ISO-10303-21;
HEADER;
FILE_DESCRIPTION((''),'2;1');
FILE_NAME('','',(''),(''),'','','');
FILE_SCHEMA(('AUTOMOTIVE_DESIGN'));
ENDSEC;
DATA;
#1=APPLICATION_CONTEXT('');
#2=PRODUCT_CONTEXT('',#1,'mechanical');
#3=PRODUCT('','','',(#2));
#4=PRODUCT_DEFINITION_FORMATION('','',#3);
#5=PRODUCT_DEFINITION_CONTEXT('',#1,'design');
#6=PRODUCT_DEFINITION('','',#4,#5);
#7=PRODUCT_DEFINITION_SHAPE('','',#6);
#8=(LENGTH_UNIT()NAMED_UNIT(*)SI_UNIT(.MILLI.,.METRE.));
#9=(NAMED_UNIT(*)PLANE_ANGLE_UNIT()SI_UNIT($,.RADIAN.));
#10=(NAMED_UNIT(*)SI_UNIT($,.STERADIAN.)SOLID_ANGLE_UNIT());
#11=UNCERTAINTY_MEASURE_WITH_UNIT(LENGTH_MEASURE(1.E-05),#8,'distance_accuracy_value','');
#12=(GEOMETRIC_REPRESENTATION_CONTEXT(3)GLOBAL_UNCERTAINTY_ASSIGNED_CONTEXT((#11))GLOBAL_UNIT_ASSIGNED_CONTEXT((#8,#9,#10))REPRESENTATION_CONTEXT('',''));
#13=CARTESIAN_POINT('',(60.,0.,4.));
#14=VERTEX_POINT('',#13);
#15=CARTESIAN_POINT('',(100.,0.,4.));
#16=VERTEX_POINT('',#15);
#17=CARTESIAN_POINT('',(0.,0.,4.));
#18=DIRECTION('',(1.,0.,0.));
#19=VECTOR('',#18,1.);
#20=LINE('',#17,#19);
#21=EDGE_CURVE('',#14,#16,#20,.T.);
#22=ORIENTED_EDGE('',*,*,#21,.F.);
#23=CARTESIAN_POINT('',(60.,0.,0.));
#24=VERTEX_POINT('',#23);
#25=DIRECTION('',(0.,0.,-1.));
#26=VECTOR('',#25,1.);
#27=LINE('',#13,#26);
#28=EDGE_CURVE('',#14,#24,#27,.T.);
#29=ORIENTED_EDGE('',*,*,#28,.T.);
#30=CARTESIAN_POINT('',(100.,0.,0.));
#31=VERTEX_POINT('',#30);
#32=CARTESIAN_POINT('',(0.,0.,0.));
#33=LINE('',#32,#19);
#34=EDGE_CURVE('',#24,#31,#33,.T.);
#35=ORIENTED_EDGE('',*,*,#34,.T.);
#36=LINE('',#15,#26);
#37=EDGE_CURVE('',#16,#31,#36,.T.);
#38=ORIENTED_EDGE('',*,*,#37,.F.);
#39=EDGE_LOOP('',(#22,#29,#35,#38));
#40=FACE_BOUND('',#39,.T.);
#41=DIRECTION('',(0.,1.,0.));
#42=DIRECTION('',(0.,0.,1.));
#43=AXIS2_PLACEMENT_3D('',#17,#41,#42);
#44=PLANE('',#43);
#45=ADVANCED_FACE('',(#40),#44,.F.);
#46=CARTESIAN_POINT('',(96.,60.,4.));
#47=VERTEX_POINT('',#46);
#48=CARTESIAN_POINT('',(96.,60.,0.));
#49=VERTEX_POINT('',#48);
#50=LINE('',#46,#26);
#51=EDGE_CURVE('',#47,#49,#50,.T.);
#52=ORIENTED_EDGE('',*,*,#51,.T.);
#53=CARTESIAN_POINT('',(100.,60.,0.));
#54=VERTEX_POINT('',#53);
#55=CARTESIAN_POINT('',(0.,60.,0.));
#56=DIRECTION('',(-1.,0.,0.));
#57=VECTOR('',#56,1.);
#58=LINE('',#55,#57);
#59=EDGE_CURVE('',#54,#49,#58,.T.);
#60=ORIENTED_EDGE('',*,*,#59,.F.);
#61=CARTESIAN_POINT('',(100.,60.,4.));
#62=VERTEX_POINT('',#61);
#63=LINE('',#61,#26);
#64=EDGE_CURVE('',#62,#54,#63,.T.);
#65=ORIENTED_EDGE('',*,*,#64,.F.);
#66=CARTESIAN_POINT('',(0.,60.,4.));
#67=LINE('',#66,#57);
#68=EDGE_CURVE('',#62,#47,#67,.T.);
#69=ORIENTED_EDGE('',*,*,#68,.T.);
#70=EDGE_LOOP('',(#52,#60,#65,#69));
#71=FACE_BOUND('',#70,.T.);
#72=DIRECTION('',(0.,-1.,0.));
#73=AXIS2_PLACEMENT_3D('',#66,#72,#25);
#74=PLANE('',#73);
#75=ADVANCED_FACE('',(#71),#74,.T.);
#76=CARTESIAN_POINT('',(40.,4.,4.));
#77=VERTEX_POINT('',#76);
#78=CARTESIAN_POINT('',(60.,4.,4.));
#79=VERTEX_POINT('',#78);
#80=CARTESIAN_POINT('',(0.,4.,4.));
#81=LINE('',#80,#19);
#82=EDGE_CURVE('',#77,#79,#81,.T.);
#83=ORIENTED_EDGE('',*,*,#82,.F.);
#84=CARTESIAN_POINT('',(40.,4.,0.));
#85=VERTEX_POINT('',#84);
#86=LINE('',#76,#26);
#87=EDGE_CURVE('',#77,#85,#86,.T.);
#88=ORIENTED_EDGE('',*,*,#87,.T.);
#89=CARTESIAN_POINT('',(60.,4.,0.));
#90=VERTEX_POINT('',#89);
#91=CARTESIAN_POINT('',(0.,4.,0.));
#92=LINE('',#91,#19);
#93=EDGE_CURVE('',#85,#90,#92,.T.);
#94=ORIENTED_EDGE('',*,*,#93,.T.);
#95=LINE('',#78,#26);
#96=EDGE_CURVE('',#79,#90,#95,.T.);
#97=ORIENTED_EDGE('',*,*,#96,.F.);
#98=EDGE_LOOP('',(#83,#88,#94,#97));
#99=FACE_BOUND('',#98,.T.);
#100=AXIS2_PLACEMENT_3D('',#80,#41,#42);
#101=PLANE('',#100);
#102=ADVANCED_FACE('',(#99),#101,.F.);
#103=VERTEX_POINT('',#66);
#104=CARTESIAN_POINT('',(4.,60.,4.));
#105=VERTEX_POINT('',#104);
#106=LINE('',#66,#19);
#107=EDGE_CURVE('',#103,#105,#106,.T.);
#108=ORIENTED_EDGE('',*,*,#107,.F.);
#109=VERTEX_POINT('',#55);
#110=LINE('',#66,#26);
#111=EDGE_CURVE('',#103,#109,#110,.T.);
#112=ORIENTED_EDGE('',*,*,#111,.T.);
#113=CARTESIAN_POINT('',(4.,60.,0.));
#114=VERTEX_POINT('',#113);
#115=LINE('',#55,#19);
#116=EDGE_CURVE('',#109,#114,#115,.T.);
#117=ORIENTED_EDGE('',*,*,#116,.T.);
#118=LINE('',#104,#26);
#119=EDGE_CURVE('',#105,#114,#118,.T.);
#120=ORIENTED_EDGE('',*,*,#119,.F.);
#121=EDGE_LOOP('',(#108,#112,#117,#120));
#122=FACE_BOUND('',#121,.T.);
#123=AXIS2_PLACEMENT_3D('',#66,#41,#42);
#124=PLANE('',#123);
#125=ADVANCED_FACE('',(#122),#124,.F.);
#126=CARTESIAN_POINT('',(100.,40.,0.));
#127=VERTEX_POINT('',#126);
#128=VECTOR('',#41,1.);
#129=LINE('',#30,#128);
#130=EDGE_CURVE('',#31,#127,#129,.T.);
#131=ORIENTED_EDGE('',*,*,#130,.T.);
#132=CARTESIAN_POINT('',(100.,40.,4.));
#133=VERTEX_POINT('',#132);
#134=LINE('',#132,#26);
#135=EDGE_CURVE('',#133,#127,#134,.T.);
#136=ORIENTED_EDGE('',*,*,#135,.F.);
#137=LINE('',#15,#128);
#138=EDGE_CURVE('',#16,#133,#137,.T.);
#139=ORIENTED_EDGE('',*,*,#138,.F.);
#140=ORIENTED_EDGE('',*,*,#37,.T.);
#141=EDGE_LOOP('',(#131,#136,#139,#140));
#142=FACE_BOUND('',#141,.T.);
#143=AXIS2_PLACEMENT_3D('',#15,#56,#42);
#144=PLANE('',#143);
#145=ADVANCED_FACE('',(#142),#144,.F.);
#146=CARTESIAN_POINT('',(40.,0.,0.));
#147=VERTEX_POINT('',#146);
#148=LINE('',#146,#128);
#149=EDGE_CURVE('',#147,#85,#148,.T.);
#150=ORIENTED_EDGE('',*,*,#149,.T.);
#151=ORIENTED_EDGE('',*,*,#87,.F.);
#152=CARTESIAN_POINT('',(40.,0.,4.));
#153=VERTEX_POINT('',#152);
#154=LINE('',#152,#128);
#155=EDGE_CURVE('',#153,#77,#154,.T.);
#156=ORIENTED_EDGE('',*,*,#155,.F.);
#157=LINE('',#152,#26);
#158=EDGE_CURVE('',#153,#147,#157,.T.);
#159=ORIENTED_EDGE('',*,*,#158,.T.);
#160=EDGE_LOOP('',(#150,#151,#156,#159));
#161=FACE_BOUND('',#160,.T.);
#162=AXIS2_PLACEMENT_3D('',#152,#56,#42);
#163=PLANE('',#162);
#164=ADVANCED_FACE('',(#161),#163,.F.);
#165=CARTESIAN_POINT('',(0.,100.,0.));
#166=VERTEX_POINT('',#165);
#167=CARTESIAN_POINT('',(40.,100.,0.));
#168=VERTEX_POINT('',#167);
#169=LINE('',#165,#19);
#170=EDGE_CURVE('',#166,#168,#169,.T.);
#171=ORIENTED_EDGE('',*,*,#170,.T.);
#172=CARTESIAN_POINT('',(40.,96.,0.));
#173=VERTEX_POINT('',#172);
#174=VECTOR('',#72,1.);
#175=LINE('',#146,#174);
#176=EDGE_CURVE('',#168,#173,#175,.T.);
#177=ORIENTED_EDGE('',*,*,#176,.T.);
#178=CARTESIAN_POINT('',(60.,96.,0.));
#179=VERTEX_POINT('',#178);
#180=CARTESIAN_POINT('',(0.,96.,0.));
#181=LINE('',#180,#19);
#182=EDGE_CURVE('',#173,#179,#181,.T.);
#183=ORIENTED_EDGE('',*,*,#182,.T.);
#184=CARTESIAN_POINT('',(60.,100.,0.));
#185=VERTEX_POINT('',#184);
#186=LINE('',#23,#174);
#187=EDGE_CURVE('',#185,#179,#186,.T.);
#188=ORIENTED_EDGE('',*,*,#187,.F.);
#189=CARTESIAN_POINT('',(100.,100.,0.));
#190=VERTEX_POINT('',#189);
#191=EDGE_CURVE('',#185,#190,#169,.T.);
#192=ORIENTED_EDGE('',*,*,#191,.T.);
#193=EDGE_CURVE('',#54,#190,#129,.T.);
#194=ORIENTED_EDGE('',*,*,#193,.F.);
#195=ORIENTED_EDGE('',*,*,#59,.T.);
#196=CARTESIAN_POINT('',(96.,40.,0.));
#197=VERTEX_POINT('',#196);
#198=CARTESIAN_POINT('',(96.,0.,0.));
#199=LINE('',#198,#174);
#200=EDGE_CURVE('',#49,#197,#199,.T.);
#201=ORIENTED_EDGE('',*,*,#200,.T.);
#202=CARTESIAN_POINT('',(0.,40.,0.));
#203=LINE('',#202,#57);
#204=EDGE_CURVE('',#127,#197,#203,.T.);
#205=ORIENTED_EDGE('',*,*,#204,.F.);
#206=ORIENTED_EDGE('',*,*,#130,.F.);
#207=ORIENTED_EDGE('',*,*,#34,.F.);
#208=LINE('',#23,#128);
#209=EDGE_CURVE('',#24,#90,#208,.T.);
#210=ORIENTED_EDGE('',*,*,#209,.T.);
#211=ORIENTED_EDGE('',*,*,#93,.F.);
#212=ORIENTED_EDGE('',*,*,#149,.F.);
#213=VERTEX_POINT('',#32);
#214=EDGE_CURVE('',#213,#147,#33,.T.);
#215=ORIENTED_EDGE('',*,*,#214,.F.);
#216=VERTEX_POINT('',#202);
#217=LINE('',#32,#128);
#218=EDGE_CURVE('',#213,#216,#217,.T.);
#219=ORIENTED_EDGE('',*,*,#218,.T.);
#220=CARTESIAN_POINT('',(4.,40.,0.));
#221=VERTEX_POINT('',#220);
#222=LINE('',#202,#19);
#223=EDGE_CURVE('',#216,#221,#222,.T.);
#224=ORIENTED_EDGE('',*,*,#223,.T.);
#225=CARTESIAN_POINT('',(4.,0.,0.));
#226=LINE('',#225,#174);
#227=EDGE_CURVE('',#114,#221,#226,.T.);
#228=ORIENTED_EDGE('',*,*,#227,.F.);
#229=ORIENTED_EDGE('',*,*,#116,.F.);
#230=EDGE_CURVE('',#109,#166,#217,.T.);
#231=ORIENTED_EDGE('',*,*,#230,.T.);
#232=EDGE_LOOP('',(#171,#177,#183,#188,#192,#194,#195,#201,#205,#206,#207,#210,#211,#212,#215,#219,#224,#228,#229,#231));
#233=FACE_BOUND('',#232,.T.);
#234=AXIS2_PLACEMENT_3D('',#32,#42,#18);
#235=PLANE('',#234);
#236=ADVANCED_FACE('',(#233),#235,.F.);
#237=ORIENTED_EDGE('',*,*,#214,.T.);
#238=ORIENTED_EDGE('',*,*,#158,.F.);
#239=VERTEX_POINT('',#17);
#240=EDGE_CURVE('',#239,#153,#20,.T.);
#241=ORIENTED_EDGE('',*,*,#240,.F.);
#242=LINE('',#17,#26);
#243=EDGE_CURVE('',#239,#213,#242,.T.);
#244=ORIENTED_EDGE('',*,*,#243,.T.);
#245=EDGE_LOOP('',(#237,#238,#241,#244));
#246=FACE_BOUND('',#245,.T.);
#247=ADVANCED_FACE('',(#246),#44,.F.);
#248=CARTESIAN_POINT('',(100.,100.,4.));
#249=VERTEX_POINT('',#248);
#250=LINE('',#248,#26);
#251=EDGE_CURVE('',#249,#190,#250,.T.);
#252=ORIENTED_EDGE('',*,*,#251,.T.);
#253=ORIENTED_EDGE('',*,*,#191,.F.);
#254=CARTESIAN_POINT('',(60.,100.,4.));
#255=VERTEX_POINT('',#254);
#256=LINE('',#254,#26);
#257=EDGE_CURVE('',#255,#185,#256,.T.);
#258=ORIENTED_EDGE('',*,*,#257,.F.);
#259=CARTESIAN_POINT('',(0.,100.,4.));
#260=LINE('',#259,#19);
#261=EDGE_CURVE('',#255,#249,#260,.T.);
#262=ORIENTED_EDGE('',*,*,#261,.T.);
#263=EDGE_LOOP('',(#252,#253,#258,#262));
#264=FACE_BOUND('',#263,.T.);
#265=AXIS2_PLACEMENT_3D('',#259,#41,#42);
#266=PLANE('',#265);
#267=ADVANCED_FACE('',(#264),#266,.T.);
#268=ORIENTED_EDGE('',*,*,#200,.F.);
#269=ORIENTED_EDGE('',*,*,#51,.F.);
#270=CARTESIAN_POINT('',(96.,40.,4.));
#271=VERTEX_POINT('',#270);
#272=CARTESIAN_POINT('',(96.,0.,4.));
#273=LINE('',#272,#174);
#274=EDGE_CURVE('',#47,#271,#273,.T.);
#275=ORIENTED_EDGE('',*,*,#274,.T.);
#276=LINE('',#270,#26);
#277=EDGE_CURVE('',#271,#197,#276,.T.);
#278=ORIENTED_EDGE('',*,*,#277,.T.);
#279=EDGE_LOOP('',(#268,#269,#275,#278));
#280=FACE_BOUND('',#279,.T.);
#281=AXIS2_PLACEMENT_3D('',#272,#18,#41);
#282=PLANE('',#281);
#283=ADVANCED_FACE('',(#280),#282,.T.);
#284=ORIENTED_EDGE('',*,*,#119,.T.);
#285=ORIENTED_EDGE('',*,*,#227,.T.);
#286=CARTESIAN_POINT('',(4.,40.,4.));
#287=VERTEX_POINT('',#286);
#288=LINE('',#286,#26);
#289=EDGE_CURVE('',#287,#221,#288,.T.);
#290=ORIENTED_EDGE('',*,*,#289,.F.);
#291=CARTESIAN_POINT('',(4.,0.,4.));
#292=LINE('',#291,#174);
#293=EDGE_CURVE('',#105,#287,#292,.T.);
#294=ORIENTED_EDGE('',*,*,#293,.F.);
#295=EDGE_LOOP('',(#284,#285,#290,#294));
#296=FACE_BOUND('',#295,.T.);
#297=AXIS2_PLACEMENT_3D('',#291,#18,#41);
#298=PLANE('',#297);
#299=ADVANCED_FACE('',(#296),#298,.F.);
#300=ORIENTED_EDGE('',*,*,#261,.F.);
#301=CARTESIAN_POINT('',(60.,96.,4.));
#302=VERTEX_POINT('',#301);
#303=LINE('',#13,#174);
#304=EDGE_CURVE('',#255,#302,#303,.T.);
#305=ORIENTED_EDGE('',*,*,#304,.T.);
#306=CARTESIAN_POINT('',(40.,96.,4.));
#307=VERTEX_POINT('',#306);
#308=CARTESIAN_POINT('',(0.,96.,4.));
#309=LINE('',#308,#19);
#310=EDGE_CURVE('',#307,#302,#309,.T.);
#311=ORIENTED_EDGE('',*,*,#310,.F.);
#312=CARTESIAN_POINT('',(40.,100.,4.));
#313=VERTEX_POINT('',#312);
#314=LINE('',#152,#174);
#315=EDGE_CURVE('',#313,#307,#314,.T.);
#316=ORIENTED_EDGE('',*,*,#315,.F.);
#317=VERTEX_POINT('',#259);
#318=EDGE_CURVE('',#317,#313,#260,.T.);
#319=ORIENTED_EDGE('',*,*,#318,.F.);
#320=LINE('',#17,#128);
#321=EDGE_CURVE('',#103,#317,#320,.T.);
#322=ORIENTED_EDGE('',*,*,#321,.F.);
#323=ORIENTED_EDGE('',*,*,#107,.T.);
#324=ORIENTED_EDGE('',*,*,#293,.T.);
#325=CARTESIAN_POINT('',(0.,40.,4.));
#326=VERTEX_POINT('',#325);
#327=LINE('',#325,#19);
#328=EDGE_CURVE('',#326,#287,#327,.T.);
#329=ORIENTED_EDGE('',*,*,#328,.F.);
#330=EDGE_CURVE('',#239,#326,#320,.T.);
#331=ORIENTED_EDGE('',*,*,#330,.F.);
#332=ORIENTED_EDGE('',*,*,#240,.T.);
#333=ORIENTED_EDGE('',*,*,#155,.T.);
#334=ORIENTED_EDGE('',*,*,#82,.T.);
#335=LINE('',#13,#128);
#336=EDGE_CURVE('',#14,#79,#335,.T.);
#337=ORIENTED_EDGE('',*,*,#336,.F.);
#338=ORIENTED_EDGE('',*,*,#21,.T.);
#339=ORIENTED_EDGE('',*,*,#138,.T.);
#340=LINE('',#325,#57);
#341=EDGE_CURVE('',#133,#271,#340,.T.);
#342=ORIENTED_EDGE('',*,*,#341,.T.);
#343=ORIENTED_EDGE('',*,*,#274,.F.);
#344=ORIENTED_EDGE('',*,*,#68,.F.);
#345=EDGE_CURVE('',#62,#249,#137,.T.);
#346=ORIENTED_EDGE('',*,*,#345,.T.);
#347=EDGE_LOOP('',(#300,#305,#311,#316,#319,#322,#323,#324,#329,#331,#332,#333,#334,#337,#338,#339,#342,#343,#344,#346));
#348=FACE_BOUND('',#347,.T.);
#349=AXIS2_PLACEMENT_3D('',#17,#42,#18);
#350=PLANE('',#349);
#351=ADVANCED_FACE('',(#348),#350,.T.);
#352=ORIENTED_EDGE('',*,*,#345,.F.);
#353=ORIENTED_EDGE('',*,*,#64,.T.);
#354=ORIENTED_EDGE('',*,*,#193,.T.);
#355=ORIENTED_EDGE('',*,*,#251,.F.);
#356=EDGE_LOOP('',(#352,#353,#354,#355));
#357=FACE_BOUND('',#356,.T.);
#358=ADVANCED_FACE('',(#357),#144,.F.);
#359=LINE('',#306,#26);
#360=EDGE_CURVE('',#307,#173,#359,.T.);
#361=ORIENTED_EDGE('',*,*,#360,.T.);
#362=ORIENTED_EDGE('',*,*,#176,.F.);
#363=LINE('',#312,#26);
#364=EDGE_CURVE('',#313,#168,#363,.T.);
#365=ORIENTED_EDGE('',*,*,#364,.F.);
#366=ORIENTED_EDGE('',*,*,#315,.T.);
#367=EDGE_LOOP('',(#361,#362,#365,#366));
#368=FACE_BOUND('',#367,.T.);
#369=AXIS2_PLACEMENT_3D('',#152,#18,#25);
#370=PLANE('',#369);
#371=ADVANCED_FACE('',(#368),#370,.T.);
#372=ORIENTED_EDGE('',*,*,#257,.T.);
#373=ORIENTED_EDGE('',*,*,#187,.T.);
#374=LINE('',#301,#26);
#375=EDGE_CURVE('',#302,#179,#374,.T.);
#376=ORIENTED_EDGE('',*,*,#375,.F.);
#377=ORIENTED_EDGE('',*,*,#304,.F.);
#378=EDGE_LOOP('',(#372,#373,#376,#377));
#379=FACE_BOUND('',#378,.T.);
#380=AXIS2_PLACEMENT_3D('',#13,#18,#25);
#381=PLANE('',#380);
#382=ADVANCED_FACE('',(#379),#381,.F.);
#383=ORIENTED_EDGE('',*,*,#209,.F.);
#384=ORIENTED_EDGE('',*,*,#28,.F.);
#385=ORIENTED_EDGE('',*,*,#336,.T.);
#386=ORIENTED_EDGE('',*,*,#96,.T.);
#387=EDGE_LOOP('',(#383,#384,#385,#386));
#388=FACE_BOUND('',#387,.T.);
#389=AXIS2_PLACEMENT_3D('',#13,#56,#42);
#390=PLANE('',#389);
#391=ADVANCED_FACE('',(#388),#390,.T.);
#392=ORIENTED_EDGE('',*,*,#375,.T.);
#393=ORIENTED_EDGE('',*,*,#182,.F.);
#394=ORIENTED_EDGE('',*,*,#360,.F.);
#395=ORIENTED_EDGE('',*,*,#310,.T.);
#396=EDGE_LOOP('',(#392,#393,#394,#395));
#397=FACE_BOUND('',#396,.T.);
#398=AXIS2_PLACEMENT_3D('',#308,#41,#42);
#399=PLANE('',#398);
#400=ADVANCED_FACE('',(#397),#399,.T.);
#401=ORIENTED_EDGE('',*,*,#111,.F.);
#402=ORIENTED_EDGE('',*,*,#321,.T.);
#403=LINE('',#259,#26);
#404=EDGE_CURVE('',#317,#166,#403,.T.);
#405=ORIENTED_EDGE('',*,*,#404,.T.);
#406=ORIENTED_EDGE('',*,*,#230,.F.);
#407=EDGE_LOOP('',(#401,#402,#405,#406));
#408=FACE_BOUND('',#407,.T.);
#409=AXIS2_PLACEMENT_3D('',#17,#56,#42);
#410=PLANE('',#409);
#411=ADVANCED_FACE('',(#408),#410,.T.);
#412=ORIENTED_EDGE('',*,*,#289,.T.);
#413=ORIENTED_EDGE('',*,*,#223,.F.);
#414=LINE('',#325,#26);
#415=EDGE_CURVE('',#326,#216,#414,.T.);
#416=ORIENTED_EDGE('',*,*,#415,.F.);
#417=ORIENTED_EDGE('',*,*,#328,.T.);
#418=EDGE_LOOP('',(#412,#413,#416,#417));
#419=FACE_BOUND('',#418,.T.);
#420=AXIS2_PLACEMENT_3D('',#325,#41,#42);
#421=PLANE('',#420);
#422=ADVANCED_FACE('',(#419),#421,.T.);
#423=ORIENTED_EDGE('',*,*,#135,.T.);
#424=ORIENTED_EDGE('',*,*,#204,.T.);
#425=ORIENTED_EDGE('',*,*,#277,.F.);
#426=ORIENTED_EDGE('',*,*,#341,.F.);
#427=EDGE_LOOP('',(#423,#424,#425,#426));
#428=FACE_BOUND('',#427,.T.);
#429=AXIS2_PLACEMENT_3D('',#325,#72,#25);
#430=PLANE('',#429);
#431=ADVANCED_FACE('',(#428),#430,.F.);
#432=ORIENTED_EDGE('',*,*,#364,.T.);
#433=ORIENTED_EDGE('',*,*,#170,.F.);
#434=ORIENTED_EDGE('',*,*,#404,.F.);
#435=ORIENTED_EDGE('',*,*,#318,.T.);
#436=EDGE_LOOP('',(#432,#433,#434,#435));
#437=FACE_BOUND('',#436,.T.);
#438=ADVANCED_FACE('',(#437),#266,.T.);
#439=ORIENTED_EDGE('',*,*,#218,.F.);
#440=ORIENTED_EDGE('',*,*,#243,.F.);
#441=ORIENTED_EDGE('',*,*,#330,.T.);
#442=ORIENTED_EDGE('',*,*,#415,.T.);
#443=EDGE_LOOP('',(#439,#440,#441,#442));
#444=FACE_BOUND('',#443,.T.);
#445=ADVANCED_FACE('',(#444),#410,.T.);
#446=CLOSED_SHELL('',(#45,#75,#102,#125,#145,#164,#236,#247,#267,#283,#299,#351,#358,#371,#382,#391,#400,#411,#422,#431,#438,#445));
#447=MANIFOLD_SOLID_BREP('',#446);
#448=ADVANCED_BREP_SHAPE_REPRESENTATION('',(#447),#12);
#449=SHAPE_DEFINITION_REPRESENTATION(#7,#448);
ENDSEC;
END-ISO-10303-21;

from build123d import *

# Parameters (mm, degrees)
EXTRUDE_1_DEPTH = 4


with BuildPart() as part:
    # 草图1 → 凸台-拉伸1 (new body)
    with BuildSketch(Plane.XY):
        Polygon((0, 40), (0, 0), (40, 0), (40, 4), (60, 4), (60, 0), (100, 0), (100, 40), (96, 40), (96, 60), (100, 60), (100, 100), (60, 100), (60, 96), (40, 96), (40, 100), (0, 100), (0, 60), (4, 60), (4, 40), align=None)
    extrude(amount=EXTRUDE_1_DEPTH)


solid = part.part
